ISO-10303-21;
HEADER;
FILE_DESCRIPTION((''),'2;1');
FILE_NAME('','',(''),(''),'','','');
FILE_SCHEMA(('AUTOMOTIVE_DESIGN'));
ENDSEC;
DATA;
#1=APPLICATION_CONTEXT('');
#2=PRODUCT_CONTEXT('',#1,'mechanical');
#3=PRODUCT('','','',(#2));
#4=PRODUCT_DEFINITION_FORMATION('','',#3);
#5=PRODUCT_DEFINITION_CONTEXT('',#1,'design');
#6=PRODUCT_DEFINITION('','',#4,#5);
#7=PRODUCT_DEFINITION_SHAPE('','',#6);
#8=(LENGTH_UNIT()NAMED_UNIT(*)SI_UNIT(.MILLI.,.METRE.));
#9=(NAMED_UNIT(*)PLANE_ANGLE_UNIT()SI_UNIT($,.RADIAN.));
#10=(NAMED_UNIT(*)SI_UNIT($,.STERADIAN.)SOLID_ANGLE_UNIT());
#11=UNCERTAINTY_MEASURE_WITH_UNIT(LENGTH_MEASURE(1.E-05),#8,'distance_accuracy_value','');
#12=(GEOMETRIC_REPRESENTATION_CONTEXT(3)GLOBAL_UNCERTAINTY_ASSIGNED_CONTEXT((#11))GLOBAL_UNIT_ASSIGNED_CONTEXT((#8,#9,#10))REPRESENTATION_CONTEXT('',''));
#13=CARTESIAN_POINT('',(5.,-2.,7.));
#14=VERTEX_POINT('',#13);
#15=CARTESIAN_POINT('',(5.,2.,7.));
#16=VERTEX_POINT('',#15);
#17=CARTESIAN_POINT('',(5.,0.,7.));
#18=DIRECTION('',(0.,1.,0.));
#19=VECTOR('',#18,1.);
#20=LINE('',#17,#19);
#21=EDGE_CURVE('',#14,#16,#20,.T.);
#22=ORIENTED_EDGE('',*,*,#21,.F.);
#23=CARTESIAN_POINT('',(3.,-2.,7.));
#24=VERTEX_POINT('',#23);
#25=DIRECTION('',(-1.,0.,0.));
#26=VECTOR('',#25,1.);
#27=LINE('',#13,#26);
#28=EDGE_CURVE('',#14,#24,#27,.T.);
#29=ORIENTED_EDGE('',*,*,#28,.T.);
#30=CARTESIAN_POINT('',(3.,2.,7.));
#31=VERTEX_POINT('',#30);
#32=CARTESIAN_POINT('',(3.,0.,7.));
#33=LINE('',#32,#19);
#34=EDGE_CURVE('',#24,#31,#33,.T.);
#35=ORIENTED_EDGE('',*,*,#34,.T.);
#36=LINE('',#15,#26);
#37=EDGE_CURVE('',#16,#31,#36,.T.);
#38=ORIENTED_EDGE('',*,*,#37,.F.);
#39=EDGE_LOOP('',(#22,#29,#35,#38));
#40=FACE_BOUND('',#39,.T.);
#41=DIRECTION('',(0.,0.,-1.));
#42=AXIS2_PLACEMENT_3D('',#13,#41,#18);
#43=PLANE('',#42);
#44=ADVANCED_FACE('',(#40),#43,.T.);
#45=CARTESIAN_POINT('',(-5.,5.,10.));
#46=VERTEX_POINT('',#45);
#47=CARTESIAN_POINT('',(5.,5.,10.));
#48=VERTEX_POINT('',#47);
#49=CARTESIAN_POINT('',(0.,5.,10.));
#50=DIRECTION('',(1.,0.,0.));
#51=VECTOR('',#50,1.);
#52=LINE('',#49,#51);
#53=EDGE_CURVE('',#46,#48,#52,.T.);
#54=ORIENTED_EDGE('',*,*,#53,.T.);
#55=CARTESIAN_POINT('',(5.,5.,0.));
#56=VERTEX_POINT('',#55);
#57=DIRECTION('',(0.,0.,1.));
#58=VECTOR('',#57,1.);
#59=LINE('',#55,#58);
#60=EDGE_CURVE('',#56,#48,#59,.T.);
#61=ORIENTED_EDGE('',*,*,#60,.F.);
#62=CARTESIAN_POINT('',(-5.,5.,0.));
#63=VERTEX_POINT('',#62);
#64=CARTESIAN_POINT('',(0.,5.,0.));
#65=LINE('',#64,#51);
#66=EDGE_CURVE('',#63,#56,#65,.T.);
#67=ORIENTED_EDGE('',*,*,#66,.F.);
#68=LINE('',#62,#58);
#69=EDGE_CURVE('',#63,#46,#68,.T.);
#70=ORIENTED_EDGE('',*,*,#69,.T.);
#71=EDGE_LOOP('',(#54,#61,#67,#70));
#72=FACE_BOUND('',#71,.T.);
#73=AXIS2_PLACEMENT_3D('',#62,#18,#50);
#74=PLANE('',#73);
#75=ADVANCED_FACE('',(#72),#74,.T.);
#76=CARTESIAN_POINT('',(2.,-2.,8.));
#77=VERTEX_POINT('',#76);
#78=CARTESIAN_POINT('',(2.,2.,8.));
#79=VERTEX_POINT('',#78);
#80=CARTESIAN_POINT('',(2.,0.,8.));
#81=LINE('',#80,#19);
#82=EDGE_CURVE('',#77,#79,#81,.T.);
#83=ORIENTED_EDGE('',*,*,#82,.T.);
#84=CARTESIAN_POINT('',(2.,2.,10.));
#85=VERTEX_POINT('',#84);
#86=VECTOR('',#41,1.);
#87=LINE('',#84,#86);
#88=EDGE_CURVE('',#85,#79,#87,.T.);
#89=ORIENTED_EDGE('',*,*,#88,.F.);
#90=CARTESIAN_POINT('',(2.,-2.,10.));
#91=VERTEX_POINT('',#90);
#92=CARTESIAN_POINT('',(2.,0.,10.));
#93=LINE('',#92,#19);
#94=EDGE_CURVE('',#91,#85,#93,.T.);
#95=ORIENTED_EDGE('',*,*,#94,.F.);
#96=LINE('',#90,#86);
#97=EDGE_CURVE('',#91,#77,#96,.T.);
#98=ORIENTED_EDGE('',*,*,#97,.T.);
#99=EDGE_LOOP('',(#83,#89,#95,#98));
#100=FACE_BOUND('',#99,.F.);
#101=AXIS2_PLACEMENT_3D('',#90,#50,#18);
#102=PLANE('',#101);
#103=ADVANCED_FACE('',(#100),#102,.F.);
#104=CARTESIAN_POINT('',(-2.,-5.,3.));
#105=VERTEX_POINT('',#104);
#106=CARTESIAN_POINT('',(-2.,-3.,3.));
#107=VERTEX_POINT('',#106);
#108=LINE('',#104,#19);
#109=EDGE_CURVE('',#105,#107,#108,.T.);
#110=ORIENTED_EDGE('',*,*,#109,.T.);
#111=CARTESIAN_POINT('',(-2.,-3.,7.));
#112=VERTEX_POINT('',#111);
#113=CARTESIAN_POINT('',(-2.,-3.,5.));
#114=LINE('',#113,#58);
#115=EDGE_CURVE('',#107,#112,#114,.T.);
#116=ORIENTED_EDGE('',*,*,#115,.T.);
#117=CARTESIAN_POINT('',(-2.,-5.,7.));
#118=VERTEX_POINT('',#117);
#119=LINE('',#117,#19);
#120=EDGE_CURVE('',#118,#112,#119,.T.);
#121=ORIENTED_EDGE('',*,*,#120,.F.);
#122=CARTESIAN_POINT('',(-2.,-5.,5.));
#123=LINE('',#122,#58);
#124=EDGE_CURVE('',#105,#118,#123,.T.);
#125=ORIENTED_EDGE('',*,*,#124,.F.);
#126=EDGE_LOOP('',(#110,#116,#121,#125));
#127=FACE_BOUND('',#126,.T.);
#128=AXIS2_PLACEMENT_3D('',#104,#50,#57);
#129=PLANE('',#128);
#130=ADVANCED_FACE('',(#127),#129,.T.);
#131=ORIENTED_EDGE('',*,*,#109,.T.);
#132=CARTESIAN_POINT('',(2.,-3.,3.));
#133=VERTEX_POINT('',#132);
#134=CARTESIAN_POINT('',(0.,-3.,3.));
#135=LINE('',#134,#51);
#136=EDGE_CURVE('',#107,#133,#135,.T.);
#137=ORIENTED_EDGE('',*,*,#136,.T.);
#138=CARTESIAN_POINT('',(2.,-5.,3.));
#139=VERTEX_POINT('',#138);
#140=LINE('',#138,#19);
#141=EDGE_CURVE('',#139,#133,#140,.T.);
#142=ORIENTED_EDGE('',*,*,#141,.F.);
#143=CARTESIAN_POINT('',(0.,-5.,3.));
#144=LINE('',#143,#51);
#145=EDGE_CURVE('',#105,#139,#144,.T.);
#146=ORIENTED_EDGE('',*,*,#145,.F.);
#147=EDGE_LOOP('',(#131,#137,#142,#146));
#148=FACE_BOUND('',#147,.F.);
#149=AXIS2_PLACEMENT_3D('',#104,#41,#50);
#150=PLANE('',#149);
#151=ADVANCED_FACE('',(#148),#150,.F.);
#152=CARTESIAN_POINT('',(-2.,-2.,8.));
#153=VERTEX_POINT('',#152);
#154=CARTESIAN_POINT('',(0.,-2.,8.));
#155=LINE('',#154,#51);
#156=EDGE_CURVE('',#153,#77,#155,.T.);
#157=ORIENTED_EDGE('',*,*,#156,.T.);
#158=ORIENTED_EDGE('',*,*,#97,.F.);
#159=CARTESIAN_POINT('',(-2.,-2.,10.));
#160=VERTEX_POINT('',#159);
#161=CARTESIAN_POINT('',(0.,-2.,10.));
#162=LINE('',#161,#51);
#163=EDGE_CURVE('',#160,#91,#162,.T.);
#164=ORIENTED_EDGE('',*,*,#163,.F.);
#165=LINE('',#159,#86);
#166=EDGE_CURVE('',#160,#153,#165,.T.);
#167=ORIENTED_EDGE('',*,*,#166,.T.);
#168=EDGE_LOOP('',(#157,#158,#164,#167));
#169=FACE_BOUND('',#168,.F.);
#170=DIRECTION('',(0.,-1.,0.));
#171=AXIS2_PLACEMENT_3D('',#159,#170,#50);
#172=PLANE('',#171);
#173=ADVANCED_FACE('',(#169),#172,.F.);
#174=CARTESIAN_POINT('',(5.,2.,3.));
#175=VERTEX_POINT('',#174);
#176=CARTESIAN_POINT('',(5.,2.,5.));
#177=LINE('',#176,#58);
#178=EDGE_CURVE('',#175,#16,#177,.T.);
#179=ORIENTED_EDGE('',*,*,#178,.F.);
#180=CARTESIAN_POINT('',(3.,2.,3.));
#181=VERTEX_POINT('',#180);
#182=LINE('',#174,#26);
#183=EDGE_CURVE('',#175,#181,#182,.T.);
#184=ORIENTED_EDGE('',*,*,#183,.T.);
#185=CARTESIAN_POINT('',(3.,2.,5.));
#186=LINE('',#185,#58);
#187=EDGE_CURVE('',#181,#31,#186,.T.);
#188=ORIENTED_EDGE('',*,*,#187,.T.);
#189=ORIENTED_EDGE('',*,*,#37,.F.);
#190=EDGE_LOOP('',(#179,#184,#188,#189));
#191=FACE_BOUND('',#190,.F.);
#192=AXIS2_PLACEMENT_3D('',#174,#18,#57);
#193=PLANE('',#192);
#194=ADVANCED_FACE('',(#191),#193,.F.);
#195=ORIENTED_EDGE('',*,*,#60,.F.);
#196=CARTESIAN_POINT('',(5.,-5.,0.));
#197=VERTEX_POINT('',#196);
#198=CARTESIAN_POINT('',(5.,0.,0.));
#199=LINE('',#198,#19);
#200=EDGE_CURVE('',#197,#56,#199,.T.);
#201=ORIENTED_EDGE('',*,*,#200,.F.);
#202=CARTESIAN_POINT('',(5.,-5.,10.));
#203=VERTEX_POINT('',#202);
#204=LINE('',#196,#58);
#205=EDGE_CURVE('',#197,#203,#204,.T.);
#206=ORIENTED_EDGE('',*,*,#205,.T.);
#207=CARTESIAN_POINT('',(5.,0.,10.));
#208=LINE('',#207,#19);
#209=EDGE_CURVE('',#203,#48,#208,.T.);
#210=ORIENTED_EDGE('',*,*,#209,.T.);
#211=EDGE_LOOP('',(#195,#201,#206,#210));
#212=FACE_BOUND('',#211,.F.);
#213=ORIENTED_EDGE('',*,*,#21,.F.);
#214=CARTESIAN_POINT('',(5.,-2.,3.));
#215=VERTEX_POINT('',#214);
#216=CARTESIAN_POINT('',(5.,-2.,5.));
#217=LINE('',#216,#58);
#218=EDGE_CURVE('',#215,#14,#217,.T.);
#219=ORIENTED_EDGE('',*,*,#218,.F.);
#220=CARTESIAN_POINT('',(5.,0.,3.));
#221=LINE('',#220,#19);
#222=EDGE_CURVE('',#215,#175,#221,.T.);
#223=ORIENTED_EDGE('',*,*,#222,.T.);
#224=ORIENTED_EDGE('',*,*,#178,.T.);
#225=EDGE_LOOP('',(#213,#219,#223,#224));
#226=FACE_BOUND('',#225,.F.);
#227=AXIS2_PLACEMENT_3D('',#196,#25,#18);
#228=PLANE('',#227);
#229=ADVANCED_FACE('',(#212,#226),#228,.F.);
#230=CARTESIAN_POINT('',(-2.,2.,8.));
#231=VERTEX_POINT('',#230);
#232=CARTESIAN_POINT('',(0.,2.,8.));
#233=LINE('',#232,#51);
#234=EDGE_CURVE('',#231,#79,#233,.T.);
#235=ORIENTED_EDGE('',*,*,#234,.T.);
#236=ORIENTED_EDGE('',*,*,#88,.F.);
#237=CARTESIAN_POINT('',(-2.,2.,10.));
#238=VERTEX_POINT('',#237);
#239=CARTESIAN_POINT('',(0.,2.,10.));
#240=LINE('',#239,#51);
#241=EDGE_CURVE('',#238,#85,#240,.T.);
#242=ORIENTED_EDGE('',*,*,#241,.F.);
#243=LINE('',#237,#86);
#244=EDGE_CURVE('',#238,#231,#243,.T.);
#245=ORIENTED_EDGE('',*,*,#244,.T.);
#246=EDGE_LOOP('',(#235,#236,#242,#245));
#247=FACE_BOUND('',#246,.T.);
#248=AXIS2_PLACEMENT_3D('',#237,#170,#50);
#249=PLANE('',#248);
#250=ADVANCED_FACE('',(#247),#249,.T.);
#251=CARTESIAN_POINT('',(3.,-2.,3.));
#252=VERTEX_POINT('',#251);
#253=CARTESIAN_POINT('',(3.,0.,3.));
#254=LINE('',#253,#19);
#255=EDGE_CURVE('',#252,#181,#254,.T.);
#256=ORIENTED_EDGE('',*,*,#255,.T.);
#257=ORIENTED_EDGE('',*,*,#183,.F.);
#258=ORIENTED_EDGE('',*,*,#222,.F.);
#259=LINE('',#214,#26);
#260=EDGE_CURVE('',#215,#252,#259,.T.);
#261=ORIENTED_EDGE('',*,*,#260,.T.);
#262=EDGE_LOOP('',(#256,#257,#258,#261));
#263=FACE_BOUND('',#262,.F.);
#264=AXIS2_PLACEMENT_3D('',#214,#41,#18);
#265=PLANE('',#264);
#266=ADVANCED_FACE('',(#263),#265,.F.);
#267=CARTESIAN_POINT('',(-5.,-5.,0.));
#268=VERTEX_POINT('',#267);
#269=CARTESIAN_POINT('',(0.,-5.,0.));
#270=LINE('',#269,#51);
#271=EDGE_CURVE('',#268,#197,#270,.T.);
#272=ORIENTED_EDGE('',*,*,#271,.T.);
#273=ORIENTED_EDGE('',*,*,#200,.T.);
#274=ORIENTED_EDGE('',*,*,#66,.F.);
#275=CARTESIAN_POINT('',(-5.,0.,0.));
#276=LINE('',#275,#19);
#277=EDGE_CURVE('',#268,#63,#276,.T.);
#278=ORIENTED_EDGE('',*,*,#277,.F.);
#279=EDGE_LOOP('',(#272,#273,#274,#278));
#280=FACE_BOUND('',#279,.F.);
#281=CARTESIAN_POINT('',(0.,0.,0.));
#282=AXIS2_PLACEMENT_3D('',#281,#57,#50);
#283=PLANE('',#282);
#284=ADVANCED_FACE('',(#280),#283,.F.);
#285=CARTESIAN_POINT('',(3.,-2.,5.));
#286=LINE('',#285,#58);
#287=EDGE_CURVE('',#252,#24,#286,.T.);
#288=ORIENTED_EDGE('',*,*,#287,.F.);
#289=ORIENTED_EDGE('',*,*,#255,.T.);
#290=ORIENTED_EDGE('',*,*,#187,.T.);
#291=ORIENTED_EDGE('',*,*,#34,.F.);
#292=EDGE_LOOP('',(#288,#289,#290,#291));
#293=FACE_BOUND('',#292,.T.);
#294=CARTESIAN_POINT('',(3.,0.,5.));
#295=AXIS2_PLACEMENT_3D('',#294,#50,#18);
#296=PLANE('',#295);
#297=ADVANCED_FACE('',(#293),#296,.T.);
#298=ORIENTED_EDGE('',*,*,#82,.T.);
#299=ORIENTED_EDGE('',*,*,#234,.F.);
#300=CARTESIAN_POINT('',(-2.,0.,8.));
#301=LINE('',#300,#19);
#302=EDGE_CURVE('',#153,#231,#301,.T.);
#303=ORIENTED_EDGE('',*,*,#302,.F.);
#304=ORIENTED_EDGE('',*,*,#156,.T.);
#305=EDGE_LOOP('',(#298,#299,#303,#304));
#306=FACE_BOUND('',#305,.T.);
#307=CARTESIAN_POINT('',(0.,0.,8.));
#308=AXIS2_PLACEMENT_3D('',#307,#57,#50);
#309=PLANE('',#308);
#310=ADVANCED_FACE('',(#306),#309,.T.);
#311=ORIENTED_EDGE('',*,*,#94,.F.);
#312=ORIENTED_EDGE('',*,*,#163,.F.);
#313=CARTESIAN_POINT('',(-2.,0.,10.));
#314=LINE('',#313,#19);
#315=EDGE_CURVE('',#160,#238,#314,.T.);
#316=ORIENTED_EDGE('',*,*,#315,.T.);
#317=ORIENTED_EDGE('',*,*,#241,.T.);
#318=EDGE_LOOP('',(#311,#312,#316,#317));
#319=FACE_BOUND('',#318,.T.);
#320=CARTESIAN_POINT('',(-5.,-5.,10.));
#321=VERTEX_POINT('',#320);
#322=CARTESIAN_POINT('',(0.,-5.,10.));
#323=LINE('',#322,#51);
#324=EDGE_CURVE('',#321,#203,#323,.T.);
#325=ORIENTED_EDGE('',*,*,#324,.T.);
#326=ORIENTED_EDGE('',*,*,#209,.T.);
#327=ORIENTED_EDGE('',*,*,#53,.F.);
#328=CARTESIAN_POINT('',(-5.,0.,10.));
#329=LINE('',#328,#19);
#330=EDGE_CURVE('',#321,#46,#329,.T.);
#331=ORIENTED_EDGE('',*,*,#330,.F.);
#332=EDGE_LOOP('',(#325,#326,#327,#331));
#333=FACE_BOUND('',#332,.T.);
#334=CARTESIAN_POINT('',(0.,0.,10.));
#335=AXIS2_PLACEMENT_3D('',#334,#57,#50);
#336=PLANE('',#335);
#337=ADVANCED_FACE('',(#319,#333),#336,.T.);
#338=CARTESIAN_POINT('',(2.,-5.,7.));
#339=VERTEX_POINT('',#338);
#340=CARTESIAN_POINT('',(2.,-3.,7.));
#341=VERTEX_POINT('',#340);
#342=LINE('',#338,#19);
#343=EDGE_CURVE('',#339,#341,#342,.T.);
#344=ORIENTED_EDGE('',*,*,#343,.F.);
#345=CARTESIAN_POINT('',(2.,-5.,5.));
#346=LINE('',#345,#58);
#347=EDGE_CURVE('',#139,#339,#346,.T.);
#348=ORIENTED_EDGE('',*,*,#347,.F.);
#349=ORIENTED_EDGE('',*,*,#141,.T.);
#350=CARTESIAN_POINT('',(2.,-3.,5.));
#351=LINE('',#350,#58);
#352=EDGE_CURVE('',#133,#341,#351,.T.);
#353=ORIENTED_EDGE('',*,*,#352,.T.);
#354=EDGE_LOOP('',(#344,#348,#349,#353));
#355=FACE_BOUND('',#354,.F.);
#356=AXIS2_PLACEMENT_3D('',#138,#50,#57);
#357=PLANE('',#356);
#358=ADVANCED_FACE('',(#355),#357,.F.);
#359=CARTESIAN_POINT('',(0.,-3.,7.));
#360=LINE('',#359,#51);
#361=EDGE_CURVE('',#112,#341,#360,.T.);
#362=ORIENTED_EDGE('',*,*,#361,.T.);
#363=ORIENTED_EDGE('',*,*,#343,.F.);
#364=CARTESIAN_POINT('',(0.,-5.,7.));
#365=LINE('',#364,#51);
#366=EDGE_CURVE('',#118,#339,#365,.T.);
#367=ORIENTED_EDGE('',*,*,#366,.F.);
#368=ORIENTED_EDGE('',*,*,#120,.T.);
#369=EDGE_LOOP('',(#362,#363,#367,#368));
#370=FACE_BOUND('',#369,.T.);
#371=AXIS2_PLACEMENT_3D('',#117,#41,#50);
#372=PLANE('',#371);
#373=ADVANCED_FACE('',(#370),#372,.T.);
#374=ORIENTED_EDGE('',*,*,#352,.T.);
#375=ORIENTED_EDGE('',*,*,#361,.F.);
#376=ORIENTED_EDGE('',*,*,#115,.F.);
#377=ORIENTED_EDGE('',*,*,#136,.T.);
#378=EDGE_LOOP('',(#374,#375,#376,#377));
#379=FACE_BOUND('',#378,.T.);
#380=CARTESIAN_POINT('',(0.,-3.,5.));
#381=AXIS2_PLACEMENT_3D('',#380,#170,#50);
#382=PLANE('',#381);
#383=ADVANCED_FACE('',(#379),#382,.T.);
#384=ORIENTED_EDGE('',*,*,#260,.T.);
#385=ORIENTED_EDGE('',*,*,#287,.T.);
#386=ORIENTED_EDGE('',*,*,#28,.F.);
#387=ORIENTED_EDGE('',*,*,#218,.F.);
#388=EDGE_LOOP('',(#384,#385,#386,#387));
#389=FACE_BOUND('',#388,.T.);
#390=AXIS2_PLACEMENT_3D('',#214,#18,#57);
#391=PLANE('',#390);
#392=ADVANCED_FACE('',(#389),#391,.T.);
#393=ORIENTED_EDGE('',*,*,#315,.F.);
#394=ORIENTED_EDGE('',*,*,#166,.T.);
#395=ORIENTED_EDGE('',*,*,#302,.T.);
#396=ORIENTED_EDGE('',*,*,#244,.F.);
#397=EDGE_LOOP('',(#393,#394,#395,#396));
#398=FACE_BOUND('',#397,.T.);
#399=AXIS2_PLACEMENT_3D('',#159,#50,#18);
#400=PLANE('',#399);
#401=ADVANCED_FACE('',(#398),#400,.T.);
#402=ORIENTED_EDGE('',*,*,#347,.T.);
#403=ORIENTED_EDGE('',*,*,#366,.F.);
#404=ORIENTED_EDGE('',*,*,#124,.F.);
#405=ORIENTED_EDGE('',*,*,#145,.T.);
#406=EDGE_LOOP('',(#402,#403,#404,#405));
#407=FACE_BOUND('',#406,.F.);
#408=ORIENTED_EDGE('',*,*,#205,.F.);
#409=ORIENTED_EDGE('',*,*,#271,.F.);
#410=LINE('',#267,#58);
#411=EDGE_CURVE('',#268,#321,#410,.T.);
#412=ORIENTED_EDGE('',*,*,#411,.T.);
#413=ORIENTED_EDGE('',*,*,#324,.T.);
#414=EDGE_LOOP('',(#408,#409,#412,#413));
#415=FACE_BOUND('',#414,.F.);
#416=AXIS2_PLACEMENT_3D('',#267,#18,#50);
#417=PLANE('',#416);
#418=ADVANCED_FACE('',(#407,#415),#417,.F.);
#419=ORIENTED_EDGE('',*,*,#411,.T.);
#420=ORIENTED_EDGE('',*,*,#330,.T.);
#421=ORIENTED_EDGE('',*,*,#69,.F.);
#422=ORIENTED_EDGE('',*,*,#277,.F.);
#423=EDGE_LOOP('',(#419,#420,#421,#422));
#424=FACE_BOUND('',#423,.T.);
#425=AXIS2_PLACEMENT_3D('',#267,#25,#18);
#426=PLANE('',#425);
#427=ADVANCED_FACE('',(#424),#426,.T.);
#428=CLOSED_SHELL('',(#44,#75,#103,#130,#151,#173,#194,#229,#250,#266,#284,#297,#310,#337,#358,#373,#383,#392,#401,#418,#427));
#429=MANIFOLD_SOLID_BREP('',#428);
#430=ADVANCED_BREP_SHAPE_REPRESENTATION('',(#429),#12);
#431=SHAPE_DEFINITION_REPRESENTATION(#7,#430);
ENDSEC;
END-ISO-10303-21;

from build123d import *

# Parameters (mm, degrees)
F0_W     = 10
F0_H     = 10
F1_DEPTH = 10
F2_W     = 4
F2_H     = 4
F3_DEPTH = 2
F4_W     = 4
F4_H     = 4
F6_DEPTH = 2
F5_W     = 4
F5_H     = 4
F7_DEPTH = 2


with BuildPart() as f1:
    # F0 (on Top) → F1 (new body)
    with BuildSketch(Plane.XY):
        Rectangle(F0_W, F0_H)
    extrude(amount=F1_DEPTH)

    # F2 (on face) → F3 (cut)
    with BuildSketch(Plane.YZ.offset(5)):
        with Locations((0, 5)):
            Rectangle(F2_W, F2_H)
    extrude(amount=-F3_DEPTH, mode=Mode.SUBTRACT)

    # F4 (on face) → F6 (cut)
    with BuildSketch(Plane.XZ.offset(5)):
        with Locations((0, 5)):
            Rectangle(F4_W, F4_H)
    extrude(amount=-F6_DEPTH, mode=Mode.SUBTRACT)

    # F5 (on face) → F7 (cut)
    with BuildSketch(Plane.XY.offset(10)):
        Rectangle(F5_W, F5_H)
    extrude(amount=-F7_DEPTH, mode=Mode.SUBTRACT)


solid = f1.part
